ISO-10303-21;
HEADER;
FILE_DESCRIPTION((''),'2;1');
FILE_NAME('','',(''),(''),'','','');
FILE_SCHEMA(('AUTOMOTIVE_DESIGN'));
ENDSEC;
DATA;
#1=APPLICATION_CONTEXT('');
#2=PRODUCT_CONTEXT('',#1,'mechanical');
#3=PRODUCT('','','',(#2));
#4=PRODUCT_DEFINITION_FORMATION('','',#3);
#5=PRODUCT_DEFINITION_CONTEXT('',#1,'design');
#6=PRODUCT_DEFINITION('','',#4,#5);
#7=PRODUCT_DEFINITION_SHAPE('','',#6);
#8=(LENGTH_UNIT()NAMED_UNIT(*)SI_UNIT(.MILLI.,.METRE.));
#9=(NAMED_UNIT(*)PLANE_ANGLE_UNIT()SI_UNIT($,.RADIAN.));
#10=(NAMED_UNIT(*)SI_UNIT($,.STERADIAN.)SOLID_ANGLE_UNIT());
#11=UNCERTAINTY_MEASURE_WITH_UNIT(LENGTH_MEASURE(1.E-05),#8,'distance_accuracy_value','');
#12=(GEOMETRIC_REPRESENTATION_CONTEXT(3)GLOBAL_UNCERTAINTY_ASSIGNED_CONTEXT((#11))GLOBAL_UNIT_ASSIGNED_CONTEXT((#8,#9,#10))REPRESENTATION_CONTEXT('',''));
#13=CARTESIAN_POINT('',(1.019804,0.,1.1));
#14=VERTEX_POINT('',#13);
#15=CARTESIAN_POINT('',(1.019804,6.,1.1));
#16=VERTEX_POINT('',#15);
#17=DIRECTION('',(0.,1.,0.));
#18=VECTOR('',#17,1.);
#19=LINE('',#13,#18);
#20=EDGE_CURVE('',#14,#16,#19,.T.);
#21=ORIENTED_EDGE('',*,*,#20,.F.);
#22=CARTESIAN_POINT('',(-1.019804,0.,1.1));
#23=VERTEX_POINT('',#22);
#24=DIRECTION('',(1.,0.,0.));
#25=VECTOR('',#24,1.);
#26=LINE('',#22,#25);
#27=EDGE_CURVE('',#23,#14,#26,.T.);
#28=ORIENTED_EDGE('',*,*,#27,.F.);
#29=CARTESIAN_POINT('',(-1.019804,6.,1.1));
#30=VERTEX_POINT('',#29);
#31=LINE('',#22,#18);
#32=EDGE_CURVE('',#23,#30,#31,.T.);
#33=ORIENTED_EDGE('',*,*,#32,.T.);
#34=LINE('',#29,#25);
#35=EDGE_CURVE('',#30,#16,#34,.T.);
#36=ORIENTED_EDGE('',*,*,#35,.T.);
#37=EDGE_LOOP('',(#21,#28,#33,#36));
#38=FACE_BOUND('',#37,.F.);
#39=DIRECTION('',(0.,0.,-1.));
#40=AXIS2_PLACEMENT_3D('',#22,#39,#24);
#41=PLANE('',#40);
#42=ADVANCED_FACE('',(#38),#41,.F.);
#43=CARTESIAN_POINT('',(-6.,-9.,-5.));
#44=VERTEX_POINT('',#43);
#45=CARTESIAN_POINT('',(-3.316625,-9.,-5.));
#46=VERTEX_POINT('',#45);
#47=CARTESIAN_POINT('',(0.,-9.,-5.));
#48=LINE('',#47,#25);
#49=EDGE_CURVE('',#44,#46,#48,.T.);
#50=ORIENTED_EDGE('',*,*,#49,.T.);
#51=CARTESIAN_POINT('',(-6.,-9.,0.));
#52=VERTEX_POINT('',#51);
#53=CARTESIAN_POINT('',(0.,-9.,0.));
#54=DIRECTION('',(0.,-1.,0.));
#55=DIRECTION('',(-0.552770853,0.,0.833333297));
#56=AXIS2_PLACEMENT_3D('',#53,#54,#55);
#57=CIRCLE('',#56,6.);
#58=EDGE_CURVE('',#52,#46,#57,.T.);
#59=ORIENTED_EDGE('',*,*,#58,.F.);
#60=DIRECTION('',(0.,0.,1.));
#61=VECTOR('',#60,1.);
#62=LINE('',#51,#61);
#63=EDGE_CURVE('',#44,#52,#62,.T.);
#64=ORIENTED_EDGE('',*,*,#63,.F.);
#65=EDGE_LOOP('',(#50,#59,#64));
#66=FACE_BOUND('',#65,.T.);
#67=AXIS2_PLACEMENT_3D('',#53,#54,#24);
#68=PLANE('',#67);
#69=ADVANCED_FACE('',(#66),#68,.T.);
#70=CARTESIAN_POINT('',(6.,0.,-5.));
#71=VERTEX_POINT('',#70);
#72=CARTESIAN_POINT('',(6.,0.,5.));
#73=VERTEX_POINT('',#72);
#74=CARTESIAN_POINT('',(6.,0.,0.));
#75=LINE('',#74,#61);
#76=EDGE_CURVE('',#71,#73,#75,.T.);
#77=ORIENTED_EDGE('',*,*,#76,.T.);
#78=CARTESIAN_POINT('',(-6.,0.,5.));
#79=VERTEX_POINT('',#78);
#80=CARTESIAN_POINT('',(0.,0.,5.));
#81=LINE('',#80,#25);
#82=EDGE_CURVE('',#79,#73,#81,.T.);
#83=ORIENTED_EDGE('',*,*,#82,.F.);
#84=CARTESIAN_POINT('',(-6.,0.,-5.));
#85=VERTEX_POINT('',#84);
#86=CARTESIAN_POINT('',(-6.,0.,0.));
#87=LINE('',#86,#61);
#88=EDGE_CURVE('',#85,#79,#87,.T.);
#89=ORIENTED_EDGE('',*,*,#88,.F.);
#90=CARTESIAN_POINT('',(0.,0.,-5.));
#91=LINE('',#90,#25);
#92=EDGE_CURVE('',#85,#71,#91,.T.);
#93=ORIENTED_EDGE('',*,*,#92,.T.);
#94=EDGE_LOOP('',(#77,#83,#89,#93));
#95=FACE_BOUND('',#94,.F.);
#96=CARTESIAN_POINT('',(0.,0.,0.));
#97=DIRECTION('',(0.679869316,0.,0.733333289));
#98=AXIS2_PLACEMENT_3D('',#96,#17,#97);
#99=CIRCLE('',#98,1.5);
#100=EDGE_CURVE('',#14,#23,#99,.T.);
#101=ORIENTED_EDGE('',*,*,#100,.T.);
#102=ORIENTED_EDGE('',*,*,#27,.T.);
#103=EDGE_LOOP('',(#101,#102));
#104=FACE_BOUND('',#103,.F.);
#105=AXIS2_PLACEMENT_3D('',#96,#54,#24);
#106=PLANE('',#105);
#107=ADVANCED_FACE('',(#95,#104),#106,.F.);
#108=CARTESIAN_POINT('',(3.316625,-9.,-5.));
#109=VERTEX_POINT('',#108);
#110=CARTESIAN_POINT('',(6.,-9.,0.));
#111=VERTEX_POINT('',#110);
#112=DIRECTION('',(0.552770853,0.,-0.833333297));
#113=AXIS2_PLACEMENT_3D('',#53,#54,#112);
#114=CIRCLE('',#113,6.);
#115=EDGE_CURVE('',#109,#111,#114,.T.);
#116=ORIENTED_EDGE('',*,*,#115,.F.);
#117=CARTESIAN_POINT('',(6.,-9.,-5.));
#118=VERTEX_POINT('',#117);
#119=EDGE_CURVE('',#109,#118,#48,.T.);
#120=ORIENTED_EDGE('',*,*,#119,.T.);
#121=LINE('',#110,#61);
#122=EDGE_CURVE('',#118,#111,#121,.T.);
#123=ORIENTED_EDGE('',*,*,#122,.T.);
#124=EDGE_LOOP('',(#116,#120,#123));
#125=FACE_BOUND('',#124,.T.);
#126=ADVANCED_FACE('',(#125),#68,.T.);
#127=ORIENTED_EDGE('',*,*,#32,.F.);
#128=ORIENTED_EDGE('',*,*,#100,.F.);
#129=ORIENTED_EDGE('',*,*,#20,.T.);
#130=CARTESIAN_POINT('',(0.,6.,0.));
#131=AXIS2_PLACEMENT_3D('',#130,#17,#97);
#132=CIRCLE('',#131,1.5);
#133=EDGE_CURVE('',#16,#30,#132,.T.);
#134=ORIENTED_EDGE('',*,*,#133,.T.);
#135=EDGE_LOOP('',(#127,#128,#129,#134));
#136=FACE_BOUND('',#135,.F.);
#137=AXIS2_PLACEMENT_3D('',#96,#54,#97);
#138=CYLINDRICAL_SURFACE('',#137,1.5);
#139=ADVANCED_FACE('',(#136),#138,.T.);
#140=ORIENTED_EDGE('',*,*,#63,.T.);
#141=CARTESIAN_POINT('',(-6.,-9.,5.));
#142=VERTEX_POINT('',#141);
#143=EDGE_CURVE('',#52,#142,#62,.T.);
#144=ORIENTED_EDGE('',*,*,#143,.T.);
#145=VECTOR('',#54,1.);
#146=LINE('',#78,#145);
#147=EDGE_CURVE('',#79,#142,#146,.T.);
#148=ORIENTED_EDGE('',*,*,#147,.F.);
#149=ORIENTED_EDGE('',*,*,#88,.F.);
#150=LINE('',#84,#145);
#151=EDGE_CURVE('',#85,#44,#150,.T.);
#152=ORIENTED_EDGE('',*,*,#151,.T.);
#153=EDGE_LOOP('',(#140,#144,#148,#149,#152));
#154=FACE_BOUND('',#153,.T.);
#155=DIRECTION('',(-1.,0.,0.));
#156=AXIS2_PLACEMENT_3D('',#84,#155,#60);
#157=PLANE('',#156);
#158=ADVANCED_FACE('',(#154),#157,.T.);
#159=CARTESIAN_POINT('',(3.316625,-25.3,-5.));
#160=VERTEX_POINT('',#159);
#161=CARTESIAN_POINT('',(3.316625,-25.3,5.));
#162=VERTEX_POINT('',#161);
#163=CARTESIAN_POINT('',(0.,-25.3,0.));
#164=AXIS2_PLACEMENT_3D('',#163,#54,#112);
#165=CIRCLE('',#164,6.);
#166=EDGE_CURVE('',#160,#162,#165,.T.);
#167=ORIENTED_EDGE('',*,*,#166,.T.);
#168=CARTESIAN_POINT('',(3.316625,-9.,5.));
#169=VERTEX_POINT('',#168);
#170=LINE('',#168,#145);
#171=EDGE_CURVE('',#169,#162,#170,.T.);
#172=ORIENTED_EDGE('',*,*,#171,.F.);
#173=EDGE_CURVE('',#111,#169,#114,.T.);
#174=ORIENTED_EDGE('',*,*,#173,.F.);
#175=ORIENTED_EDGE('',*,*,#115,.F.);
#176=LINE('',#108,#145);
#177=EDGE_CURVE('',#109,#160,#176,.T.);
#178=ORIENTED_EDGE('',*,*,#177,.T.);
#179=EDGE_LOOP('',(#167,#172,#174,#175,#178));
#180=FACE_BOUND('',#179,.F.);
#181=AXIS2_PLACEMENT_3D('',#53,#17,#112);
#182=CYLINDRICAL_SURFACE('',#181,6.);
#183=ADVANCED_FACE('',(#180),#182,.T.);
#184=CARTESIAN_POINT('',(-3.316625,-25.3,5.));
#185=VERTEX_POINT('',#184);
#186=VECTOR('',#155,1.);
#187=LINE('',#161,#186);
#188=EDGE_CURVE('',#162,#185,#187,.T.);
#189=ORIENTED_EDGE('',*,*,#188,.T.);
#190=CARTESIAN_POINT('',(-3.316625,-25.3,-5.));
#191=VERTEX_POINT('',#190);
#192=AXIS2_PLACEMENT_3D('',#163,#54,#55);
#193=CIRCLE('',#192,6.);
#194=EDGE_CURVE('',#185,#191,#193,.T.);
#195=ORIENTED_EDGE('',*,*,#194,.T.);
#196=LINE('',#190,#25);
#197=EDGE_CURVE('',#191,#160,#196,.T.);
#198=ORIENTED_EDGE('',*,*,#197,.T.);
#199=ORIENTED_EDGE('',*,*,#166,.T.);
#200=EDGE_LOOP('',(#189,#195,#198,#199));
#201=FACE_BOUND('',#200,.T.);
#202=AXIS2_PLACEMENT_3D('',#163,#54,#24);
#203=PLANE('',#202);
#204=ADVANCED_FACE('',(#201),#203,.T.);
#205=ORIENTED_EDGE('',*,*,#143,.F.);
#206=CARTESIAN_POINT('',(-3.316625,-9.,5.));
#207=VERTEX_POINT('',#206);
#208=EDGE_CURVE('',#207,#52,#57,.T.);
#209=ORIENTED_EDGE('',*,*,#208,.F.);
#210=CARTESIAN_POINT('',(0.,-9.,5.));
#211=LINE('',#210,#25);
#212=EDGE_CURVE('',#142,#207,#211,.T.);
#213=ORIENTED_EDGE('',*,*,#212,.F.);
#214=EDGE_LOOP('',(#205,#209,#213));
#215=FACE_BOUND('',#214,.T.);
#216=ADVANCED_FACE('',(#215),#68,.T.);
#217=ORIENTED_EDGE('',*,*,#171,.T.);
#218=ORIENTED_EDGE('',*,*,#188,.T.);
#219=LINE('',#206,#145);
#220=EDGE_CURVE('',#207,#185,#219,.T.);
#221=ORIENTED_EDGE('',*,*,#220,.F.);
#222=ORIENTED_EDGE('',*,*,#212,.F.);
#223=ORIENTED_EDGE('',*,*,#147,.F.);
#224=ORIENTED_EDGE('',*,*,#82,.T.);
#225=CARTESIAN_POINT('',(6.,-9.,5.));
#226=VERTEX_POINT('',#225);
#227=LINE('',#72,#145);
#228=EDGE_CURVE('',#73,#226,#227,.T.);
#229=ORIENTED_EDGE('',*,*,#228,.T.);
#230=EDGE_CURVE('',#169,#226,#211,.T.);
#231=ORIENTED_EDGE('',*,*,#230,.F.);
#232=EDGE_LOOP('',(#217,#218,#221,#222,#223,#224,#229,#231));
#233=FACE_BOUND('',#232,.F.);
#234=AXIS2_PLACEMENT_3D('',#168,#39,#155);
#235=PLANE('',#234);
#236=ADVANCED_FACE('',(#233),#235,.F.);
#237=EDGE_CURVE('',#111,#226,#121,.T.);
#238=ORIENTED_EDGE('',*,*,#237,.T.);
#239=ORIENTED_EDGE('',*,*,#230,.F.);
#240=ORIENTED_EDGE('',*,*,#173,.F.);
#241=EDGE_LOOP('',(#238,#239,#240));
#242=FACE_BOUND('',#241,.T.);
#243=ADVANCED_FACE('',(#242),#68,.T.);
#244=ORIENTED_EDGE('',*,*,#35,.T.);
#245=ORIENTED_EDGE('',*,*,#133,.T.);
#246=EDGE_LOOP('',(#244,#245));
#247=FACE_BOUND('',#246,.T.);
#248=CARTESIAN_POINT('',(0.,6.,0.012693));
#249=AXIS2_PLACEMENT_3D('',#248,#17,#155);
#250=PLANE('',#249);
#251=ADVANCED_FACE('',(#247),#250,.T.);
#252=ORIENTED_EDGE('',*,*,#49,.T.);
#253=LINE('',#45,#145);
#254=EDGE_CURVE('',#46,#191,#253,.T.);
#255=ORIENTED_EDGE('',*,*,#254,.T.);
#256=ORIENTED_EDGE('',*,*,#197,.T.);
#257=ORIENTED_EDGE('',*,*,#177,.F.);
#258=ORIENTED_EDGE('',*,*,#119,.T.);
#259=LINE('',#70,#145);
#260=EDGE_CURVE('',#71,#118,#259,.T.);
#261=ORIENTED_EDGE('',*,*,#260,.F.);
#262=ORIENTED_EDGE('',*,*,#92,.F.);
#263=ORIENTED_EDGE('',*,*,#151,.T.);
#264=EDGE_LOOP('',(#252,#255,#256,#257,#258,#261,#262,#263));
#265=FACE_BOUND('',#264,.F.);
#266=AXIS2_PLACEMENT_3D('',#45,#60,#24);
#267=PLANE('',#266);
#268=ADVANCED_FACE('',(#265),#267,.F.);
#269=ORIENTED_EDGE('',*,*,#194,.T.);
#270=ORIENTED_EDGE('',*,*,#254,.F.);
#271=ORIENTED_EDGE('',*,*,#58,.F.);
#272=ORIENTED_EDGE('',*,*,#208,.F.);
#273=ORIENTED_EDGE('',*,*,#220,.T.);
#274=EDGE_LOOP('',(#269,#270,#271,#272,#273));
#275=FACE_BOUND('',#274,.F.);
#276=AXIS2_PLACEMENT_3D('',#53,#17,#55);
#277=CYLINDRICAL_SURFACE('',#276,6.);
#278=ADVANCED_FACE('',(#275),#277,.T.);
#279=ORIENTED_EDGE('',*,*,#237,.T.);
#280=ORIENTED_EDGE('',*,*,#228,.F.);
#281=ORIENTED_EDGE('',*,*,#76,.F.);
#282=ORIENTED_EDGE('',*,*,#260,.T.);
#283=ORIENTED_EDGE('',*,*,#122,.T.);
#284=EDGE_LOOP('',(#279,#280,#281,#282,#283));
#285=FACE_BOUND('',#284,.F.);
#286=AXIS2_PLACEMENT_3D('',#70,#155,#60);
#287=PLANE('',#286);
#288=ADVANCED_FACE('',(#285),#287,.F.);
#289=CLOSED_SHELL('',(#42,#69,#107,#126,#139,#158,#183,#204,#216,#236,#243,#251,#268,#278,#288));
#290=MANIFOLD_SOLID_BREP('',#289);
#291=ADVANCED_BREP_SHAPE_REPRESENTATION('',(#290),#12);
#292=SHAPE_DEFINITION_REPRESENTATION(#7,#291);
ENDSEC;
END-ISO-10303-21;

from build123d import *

# Parameters (mm, degrees)
F0_W     = 12
F0_H     = 10
F1_DEPTH = 9
F3_DEPTH = 16.3
F5_DEPTH = 6


with BuildPart() as f1:
    # F0 (on Front) → F1 (new body)
    with BuildSketch(Plane.XZ):
        Rectangle(F0_W, F0_H)
    extrude(amount=F1_DEPTH)

    # F2 (on face) → F3 (join)
    with BuildSketch(Plane.XZ.offset(9)):
        with BuildLine():
            Line((3.316625, 5), (-3.316625, 5))
            ThreePointArc((-3.316625, 5), (-6, 0), (-3.316625, -5))
            Line((-3.316625, -5), (3.316625, -5))
            ThreePointArc((3.316625, -5), (6, 0), (3.316625, 5))
        make_face()
    extrude(amount=F3_DEPTH)

    # F4 (on face) → F5 (join)
    with BuildSketch(Plane(origin=(0, 0, 0), x_dir=(-1, 0, 0), z_dir=(0, 1, 0))):
        with BuildLine():
            Line((1.019804, 1.1), (-1.019804, 1.1))
            ThreePointArc((-1.019804, 1.1), (0, -1.5), (1.019804, 1.1))
        make_face()
    extrude(amount=F5_DEPTH)


solid = f1.part
